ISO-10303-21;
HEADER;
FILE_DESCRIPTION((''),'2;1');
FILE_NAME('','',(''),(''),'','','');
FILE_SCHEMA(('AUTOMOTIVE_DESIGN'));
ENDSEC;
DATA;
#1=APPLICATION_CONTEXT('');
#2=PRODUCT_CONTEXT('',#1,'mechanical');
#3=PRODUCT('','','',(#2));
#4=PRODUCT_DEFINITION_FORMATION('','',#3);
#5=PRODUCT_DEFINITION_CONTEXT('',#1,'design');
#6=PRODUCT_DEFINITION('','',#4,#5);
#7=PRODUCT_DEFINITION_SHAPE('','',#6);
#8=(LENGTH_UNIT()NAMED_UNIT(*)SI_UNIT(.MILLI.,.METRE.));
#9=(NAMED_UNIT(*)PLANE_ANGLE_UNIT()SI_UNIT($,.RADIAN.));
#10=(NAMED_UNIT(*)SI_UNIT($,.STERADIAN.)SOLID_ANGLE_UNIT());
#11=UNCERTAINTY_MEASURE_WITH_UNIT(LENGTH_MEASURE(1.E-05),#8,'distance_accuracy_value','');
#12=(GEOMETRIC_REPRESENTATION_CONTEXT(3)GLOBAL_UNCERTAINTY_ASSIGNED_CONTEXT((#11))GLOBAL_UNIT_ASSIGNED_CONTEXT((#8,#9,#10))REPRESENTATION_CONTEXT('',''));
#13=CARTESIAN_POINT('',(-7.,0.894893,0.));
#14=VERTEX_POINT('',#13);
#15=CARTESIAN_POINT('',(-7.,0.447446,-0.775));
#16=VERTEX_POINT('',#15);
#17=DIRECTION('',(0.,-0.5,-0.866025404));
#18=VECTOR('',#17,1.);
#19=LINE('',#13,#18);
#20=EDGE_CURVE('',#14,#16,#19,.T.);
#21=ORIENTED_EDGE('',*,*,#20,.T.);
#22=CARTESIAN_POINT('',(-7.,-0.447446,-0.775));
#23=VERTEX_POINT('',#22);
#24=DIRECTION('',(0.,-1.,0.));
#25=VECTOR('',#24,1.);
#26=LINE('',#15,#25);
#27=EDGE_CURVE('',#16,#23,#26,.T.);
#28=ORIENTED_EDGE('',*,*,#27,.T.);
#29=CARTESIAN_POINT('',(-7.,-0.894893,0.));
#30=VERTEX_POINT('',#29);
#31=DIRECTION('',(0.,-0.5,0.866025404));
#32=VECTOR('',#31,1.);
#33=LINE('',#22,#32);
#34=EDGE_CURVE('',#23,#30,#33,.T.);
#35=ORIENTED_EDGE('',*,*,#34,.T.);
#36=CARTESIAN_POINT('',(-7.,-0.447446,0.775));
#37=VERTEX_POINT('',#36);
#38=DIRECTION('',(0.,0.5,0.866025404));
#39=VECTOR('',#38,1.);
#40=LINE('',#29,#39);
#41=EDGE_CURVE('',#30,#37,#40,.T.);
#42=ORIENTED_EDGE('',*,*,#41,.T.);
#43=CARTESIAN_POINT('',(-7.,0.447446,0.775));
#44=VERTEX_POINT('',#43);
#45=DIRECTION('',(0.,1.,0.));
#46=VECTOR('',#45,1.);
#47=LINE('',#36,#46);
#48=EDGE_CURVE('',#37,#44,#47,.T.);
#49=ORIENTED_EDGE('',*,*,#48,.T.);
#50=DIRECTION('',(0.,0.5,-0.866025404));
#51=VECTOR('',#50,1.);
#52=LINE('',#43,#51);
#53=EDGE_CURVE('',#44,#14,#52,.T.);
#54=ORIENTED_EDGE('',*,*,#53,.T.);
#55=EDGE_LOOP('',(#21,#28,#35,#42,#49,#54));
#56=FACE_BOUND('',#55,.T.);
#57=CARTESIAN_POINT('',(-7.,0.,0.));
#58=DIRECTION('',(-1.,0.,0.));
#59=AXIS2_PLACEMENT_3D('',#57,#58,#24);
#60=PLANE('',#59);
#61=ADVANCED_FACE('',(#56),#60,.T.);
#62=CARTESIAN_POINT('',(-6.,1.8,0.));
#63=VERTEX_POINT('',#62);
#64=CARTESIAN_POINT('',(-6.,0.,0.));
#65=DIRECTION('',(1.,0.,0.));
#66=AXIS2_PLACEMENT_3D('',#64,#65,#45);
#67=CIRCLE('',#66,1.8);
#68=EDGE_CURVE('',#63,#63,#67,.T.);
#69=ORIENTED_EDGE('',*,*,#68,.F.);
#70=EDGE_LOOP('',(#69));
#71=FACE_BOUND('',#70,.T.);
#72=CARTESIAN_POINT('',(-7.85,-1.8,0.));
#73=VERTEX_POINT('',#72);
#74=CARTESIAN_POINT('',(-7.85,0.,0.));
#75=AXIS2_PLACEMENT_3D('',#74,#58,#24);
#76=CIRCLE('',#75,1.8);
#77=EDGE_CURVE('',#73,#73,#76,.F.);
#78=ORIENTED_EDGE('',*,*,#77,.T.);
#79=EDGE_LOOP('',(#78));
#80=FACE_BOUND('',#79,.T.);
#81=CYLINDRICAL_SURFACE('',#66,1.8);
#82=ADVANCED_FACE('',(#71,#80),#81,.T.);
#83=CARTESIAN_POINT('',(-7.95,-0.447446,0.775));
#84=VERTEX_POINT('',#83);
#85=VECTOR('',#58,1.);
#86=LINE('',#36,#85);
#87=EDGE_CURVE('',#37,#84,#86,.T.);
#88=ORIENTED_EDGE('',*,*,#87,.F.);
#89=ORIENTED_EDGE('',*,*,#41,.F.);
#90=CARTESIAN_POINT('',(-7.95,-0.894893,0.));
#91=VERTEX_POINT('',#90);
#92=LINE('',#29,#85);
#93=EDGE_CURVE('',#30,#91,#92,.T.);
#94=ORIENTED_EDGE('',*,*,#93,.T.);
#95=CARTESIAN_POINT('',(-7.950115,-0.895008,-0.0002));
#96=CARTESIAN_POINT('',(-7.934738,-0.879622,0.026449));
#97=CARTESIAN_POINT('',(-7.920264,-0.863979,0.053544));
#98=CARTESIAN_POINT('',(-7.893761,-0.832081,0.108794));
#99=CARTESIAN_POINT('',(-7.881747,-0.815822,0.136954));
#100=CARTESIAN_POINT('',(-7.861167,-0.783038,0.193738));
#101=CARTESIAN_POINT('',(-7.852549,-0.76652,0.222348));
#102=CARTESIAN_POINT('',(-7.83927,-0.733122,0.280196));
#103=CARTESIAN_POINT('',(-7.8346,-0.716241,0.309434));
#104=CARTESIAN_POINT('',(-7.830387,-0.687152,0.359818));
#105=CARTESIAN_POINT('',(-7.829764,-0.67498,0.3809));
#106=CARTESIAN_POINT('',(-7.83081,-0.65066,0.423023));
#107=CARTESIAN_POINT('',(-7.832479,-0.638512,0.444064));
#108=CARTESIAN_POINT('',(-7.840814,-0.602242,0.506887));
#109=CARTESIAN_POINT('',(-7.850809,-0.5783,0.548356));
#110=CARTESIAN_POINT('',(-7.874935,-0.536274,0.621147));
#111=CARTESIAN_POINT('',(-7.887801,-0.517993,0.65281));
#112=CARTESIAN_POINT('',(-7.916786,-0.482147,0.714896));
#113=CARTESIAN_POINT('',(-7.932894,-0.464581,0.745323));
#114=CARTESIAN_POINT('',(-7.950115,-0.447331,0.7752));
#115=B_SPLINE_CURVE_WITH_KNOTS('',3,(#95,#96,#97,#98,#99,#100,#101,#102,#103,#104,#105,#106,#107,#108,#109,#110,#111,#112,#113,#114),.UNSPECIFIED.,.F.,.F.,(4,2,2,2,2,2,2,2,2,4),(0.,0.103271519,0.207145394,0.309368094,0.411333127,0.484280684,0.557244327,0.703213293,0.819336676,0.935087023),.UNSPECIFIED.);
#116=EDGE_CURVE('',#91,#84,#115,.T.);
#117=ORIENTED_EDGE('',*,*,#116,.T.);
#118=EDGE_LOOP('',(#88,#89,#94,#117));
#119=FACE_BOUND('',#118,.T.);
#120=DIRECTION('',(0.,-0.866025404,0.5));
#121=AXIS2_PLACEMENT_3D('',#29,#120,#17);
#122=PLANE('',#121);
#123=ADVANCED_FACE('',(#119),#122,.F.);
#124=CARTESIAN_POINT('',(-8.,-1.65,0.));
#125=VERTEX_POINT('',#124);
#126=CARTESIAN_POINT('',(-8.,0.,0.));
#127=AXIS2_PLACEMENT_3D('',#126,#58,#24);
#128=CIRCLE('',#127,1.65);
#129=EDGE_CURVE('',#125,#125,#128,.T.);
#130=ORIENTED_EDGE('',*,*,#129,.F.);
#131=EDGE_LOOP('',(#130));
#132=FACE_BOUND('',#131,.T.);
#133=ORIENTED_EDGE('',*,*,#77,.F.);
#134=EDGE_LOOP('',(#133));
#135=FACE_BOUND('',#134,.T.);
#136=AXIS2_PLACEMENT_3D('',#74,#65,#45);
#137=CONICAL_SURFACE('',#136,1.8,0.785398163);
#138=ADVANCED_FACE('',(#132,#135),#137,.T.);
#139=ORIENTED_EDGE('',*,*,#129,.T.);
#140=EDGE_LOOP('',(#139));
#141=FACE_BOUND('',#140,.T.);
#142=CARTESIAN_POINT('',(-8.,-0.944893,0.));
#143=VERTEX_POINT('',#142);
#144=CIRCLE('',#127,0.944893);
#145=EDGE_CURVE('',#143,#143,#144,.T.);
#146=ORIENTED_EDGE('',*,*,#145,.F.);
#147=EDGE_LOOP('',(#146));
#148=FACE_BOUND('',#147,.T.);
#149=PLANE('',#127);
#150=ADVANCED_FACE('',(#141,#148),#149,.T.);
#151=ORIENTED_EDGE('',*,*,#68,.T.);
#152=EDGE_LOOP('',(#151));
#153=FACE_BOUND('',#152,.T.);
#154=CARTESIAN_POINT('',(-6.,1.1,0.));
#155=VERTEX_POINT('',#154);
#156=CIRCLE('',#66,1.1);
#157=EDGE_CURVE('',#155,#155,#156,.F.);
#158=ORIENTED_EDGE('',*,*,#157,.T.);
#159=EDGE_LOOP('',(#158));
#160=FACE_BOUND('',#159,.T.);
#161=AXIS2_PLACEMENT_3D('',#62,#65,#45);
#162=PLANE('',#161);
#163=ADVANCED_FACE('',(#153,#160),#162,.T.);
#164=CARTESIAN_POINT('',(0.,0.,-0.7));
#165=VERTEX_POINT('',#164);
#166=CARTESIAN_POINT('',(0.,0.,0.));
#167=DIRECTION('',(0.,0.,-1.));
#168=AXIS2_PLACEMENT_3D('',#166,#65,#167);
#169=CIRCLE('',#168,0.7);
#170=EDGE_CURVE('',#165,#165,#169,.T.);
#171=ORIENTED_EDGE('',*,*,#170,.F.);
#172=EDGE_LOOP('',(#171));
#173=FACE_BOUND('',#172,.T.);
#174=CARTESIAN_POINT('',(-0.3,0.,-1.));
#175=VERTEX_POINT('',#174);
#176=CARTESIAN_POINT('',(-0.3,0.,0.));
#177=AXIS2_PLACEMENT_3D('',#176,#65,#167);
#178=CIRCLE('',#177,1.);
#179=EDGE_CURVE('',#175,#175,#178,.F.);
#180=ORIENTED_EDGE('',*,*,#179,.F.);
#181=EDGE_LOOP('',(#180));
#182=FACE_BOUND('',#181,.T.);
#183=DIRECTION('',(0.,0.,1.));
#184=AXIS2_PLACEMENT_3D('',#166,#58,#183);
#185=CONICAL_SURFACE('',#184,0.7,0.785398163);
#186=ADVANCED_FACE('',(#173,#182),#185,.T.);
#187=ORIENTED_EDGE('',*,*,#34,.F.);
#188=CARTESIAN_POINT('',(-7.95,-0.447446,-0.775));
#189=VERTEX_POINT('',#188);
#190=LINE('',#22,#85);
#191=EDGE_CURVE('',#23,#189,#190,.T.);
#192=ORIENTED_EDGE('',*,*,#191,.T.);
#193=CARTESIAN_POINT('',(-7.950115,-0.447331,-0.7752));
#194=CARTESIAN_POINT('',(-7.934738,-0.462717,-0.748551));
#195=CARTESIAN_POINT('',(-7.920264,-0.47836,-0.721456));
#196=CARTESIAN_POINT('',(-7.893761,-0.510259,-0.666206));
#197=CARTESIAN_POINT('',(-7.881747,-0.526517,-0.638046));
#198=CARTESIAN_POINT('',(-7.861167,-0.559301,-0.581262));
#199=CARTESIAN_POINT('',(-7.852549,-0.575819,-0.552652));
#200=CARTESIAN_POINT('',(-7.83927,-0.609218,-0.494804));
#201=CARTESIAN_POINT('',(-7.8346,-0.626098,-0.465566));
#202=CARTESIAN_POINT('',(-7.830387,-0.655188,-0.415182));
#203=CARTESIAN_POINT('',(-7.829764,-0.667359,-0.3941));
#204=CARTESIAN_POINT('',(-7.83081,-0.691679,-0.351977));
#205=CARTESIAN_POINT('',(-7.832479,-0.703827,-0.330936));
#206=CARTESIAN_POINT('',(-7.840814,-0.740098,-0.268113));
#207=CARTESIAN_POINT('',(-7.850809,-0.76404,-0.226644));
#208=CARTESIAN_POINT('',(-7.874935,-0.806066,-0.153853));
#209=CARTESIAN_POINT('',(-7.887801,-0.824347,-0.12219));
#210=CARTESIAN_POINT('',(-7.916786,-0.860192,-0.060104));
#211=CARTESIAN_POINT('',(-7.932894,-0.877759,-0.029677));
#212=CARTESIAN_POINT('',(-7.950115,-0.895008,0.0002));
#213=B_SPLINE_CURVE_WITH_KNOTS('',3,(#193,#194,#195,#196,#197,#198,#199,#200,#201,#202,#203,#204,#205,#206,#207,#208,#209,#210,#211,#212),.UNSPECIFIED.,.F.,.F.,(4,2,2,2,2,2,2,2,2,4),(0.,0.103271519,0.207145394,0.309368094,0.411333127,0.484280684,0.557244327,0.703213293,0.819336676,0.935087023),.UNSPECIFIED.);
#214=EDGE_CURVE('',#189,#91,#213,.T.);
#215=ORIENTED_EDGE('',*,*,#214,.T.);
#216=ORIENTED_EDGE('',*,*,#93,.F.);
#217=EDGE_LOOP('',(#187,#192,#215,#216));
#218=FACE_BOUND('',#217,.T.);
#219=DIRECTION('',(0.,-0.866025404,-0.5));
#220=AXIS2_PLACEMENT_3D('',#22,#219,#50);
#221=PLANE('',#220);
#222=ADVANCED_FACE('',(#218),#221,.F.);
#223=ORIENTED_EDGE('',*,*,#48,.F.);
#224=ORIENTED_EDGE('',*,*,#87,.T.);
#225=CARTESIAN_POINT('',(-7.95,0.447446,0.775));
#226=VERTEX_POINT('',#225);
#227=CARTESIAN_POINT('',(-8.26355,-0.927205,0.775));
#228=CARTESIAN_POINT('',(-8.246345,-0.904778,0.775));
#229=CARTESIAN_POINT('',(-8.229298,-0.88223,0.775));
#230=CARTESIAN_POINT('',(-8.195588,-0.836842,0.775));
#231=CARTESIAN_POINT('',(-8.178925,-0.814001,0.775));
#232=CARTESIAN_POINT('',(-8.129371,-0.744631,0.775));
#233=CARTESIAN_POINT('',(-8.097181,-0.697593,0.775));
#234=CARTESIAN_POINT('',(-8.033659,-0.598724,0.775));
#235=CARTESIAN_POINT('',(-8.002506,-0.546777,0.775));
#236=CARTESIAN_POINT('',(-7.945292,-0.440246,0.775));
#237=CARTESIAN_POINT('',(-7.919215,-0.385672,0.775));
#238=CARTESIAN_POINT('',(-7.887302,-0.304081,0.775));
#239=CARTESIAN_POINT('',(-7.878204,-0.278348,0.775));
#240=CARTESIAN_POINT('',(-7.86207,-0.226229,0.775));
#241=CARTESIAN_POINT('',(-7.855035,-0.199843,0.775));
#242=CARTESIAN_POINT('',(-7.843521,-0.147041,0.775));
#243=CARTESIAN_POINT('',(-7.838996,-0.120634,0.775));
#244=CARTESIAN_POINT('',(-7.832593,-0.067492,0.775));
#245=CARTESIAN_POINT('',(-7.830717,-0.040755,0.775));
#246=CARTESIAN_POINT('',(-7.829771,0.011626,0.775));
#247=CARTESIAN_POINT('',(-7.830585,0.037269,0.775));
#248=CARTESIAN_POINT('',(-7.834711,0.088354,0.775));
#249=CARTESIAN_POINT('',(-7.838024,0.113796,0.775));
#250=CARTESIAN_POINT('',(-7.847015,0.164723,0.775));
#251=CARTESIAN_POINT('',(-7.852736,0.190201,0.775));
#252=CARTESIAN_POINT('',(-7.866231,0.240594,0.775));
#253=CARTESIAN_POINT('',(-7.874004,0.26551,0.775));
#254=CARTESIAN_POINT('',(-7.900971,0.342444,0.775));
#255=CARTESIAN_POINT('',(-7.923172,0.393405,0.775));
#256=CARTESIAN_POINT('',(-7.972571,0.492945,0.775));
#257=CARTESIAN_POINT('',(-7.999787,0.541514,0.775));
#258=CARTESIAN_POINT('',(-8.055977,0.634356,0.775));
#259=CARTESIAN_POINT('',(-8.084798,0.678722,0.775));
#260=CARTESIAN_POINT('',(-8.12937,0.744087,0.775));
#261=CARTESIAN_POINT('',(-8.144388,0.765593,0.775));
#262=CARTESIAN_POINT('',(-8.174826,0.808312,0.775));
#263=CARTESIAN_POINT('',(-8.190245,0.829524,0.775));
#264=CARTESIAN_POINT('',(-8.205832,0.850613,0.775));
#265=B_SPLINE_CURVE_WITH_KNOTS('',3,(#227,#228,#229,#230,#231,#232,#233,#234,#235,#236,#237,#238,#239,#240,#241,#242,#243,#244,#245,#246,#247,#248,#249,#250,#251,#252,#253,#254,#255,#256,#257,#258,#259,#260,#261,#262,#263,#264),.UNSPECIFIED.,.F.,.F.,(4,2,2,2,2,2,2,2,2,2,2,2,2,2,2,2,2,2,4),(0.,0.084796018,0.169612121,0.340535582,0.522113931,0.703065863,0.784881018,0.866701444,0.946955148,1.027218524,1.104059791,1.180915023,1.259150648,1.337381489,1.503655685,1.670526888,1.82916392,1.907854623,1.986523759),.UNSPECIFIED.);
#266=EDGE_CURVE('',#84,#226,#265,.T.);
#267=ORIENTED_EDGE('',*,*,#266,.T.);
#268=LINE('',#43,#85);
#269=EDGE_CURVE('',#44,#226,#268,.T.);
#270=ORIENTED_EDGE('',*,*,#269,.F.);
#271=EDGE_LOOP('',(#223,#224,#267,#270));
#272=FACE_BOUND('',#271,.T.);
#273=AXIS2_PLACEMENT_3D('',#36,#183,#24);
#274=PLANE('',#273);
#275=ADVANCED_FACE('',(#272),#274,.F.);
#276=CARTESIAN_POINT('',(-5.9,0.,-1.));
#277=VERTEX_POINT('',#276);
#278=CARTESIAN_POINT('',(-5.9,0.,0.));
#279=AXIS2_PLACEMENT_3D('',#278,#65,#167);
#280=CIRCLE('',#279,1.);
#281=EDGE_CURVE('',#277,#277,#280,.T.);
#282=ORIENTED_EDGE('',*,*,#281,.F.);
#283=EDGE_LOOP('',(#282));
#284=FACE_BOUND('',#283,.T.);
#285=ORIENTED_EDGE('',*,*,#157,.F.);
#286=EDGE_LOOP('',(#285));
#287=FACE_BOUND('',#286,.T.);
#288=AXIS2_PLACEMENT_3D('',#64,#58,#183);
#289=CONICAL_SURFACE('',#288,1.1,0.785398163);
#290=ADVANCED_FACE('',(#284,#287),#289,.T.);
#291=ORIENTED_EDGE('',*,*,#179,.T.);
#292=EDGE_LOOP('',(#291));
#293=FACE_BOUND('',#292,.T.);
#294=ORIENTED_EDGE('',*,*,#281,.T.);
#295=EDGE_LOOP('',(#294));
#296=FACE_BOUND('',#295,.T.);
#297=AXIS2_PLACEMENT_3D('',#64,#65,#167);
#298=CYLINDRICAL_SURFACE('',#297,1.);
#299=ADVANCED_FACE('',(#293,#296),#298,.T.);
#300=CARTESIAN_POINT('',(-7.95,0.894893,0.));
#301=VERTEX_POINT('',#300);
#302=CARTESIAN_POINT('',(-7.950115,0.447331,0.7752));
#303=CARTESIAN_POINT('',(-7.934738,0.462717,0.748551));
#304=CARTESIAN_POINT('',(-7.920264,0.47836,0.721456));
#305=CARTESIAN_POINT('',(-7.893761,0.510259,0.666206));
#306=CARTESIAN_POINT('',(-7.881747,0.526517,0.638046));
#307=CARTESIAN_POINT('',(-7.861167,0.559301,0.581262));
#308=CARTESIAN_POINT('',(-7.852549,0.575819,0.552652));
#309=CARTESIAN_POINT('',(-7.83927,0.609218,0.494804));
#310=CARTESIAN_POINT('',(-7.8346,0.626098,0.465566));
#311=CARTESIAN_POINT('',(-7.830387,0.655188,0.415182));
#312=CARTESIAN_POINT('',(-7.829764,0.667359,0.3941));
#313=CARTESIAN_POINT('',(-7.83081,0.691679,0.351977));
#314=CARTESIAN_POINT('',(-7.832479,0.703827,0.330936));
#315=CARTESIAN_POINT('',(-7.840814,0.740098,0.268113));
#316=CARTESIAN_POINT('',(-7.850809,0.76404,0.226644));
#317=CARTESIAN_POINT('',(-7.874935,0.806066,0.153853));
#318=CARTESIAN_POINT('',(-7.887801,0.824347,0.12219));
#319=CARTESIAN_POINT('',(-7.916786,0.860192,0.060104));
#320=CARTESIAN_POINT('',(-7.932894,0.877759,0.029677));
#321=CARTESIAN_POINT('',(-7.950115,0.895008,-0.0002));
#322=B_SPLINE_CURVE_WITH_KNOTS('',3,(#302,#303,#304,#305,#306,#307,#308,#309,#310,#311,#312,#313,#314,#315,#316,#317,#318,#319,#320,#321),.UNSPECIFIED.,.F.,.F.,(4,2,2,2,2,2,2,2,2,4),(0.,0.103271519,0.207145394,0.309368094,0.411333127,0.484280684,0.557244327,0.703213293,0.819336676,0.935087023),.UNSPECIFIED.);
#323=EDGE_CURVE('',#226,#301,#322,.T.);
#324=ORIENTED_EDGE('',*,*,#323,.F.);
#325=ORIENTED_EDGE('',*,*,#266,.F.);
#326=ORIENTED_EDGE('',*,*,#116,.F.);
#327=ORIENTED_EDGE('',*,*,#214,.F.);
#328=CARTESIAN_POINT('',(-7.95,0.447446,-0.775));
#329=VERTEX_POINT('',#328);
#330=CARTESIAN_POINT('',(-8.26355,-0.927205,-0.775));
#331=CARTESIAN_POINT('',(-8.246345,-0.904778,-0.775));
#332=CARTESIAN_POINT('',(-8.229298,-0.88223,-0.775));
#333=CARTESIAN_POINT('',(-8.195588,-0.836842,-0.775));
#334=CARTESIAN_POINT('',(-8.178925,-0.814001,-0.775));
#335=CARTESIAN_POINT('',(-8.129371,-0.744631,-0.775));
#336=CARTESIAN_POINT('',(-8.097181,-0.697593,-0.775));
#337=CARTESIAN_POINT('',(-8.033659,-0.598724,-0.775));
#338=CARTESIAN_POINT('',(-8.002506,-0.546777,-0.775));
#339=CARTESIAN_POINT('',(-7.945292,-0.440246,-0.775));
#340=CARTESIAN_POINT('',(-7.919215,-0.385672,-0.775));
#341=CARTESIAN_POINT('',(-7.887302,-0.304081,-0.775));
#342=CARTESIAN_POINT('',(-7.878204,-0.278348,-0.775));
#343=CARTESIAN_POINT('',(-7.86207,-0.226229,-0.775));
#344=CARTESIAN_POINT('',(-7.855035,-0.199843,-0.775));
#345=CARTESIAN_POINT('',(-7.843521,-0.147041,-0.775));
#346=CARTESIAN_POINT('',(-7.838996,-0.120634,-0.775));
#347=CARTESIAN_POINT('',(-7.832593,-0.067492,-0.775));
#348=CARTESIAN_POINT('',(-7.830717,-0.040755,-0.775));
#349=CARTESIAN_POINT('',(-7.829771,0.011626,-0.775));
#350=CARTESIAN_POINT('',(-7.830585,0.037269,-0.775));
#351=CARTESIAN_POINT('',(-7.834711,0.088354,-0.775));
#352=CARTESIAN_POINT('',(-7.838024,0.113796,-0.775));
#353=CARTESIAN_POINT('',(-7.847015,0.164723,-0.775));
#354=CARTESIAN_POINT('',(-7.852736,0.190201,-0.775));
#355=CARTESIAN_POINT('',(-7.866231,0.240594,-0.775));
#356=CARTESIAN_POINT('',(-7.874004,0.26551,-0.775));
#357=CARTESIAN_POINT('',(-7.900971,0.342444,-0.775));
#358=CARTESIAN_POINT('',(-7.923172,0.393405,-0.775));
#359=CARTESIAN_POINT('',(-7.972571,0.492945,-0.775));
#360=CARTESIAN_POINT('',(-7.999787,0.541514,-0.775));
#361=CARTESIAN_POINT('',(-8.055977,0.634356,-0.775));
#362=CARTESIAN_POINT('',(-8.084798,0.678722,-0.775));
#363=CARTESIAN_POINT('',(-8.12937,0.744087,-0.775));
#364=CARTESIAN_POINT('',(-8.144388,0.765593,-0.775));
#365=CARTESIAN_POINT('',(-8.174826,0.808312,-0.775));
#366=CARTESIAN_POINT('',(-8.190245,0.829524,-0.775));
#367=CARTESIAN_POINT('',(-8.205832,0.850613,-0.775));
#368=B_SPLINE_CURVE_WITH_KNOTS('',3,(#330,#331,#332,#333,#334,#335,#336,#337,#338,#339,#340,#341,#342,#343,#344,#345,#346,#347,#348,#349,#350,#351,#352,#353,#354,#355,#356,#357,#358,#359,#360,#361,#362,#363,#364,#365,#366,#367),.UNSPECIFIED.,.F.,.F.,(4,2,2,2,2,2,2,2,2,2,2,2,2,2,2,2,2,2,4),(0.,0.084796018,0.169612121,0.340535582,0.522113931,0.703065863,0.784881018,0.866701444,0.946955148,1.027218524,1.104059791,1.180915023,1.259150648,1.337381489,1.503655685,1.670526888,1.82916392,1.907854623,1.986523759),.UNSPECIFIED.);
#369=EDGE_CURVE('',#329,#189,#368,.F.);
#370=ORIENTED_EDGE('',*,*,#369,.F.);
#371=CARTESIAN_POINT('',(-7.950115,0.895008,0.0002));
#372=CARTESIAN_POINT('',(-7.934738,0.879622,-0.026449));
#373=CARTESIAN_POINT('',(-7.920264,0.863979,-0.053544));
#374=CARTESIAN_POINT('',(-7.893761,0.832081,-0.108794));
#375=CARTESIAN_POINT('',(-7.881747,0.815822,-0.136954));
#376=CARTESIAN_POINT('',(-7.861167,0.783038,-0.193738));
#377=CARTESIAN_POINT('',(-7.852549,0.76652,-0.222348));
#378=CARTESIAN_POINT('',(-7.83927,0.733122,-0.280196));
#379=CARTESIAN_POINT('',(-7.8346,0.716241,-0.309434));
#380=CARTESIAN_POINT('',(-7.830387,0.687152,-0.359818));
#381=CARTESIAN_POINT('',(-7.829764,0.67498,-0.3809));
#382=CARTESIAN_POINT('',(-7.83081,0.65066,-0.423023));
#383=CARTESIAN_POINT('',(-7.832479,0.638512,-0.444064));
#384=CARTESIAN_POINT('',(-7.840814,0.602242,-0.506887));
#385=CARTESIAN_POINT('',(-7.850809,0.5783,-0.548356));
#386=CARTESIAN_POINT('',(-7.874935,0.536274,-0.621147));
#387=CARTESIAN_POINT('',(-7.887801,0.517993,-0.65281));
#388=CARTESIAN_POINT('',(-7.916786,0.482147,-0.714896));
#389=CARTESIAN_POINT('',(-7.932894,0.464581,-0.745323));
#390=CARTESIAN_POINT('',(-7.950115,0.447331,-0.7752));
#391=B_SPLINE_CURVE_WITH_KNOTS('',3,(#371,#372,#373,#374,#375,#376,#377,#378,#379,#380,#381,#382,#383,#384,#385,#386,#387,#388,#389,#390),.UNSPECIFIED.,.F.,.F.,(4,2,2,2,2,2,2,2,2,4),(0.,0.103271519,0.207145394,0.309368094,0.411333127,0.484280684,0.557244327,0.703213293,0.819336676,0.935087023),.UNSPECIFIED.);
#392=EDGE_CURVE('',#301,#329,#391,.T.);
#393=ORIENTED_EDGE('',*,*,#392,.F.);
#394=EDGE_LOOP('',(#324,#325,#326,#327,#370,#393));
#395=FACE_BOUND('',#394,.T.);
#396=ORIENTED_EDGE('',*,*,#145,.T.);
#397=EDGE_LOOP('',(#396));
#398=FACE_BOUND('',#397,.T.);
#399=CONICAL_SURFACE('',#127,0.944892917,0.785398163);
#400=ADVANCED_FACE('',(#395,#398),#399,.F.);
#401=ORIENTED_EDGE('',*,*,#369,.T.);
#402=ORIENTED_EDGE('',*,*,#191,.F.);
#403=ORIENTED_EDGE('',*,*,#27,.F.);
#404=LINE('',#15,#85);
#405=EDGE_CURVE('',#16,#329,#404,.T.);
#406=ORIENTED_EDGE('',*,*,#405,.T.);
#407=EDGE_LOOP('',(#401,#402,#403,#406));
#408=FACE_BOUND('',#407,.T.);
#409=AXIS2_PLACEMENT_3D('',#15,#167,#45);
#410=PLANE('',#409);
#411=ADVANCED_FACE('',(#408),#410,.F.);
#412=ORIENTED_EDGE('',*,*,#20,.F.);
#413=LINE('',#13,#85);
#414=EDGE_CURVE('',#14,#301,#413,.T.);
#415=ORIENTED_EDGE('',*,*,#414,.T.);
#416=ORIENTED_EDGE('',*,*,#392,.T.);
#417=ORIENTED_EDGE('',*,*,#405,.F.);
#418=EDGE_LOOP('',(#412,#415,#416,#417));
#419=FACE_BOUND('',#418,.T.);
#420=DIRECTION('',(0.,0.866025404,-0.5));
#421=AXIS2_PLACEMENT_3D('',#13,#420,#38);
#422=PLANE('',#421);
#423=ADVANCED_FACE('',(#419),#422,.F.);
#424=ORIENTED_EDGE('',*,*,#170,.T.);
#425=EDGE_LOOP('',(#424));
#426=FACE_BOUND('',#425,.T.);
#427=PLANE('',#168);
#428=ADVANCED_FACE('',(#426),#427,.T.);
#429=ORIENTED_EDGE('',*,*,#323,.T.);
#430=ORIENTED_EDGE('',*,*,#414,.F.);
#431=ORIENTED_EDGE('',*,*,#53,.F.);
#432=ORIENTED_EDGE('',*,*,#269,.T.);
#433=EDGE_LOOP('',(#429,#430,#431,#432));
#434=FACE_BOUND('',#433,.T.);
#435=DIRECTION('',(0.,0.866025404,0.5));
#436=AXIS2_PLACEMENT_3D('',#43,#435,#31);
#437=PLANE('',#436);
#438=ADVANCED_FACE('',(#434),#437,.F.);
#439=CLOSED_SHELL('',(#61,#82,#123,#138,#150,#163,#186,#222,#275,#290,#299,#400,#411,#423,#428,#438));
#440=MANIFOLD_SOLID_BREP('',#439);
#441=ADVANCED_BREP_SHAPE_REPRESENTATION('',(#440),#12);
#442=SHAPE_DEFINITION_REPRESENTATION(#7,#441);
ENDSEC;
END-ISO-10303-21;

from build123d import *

# Parameters (mm, degrees)
SKETCH2_R           = 1
BOSS_EXTRUDE1_DEPTH = 6
CHAMFER1_SIZE       = 0.3
SKETCH6_W           = 2
SKETCH6_H           = 1.8
CUT_EXTRUDE1_DEPTH  = 1
CHAMFER2_SIZE       = 0.15
CHAMFER3_SIZE       = 0.1


with BuildPart() as part:
    # Sketch2 → Boss-Extrude1 (new body)
    with BuildSketch(Plane(origin=(0, 0, 0), x_dir=(0, 0, -1), z_dir=(1, 0, 0))):
        Circle(SKETCH2_R)
    extrude(amount=-BOSS_EXTRUDE1_DEPTH)

    # Chamfer1
    chamfer1_edges = [part.edges().sort_by_distance(p)[0] for p in [
        (0, 0, 1),
    ]]
    chamfer(chamfer1_edges, length=CHAMFER1_SIZE)

    # Sketch6 → Revolve1 (revolve)
    with BuildSketch(Plane.XY):
        with Locations((-7, 0.9)):
            Rectangle(SKETCH6_W, SKETCH6_H)
    revolve(axis=Axis((-6, 0, 0), (-1, 0, 0)))

    # Sketch7 → Cut-Extrude1 (cut)
    with BuildSketch(Plane.ZY.offset(8)):
        Polygon((0, 0.894892917), (-0.775, 0.447446459), (-0.775, -0.447446459), (0, -0.894892917), (0.775, -0.447446459), (0.775, 0.447446459), align=None)
    extrude(amount=-CUT_EXTRUDE1_DEPTH, mode=Mode.SUBTRACT)

    # Cut-Extrude2 cone 1 section (through the dimple's axis) → Cut-Extrude2 (revolve, cut)
    with BuildSketch(Plane(origin=(-8, 0, 0), x_dir=(0, 0, 1), z_dir=(0, 1, 0))):
        Polygon((0, 0), (0.944892917, 0), (0, 0.944892917), align=None)
    revolve(axis=Axis((-8, 0, 0), (1, 0, 0)), mode=Mode.SUBTRACT)

    # Chamfer2
    chamfer2_edges = [part.edges().sort_by_distance(p)[0] for p in [
        (-8, -1.8, 0),
    ]]
    chamfer(chamfer2_edges, length=CHAMFER2_SIZE)

    # Chamfer3
    chamfer3_edges = [part.edges().sort_by_distance(p)[0] for p in [
        (-6, 0, 1),
    ]]
    chamfer(chamfer3_edges, length=CHAMFER3_SIZE)


solid = part.part
